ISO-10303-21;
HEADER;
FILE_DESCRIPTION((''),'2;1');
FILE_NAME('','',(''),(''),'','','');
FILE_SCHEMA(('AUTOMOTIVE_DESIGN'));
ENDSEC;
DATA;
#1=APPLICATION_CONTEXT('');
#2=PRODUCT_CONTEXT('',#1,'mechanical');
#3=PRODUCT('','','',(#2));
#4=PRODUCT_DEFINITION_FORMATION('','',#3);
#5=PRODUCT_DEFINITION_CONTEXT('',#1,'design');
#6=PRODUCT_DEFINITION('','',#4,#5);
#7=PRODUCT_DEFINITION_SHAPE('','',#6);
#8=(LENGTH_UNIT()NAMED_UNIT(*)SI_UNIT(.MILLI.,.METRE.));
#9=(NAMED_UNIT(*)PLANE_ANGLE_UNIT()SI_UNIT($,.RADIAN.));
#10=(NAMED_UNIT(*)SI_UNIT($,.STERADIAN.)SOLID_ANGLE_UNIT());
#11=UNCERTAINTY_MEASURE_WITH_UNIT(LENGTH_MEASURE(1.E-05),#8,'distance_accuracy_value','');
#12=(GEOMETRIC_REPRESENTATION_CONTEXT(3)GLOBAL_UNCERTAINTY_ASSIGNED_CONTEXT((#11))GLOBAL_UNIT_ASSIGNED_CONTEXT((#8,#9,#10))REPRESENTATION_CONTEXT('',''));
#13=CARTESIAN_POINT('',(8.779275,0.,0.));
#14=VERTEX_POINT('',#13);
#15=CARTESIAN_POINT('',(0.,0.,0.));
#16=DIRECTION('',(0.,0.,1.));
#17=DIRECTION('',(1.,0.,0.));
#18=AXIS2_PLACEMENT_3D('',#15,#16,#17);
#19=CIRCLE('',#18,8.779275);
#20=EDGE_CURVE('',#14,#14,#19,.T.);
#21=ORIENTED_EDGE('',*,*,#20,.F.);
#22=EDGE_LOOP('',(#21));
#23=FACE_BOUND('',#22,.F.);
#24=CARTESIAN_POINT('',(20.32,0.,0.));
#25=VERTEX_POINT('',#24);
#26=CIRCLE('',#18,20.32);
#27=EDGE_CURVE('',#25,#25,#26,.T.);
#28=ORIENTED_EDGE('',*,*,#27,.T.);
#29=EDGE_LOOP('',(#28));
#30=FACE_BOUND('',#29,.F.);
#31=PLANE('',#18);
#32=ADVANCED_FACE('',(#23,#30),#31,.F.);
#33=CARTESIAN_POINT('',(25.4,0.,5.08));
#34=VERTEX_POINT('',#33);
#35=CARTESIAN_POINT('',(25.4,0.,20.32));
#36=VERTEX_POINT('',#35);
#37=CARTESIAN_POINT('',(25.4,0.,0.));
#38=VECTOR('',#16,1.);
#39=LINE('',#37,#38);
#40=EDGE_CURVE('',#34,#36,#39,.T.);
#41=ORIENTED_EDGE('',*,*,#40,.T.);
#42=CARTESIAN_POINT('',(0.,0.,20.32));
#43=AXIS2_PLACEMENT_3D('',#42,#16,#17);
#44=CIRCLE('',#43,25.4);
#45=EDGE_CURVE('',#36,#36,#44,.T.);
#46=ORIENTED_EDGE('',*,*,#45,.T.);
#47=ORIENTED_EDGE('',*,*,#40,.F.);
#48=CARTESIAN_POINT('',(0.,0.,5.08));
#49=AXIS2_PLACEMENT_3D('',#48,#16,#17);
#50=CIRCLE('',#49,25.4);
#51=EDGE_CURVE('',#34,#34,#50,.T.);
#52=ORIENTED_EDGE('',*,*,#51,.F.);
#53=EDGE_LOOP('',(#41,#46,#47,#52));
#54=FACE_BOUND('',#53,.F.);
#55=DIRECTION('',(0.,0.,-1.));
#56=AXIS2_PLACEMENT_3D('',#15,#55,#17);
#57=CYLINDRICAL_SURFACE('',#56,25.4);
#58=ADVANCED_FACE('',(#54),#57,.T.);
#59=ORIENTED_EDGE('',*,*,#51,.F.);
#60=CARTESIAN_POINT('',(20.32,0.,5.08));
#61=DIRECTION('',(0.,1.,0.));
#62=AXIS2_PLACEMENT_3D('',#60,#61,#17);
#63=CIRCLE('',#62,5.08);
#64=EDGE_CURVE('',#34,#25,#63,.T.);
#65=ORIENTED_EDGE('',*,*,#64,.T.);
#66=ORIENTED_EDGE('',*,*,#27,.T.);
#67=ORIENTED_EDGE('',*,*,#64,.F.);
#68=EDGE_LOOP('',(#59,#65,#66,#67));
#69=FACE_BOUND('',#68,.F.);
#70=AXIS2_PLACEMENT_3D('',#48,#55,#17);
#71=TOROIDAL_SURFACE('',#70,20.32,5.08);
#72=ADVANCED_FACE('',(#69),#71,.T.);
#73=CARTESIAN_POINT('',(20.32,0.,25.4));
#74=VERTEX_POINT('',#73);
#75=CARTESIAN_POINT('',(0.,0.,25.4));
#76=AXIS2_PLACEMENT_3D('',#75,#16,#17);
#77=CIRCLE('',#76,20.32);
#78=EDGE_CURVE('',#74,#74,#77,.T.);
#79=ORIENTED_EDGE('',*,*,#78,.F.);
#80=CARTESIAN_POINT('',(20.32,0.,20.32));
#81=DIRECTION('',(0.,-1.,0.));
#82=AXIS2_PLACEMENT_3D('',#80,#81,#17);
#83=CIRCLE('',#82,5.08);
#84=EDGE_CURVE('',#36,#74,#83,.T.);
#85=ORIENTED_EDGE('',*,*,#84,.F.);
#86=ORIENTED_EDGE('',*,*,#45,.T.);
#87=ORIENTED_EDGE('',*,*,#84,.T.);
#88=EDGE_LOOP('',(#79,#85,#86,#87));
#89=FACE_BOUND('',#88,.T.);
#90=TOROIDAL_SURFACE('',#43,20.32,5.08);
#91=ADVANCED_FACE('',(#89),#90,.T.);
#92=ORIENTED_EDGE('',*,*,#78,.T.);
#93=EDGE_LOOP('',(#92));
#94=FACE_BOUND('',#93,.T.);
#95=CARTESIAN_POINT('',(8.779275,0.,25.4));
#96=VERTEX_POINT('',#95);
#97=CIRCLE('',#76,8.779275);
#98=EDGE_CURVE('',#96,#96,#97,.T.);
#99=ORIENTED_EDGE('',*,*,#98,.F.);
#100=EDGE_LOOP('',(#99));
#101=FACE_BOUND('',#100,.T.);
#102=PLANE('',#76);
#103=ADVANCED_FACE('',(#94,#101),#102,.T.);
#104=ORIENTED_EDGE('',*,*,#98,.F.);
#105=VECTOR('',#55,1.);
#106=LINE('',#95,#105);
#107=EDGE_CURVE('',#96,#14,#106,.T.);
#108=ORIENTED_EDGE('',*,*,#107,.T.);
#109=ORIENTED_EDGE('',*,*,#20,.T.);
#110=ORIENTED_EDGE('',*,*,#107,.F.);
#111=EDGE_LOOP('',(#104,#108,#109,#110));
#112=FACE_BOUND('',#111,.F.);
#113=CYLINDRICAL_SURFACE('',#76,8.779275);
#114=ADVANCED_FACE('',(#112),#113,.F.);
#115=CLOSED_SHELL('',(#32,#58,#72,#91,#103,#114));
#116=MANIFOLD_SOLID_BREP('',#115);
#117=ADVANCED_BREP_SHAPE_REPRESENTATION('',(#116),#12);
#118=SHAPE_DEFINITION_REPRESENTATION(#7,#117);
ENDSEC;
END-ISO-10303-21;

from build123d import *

# Parameters (mm, degrees)
F0_R     = 25.4
F1_DEPTH = 25.4
F2_R     = 8.779275
F3_DEPTH = 25.4
F4_R     = 5.08
F5_R     = 5.08


with BuildPart() as f1:
    # F0 (on Top) → F1 (new body)
    with BuildSketch(Plane.XY):
        Circle(F0_R)
    extrude(amount=F1_DEPTH)

    # F2 (on face) → F3 (cut)
    with BuildSketch(Plane.XY.offset(25.4)):
        Circle(F2_R)
    extrude(amount=-F3_DEPTH, mode=Mode.SUBTRACT)

    # F4
    f4_edges = [f1.edges().sort_by_distance(p)[0] for p in [
        (-25.4, 0, 25.4),
    ]]
    fillet(f4_edges, radius=F4_R)

    # F5
    f5_edges = [f1.edges().sort_by_distance(p)[0] for p in [
        (-25.4, 0, 0),
    ]]
    fillet(f5_edges, radius=F5_R)


solid = f1.part
